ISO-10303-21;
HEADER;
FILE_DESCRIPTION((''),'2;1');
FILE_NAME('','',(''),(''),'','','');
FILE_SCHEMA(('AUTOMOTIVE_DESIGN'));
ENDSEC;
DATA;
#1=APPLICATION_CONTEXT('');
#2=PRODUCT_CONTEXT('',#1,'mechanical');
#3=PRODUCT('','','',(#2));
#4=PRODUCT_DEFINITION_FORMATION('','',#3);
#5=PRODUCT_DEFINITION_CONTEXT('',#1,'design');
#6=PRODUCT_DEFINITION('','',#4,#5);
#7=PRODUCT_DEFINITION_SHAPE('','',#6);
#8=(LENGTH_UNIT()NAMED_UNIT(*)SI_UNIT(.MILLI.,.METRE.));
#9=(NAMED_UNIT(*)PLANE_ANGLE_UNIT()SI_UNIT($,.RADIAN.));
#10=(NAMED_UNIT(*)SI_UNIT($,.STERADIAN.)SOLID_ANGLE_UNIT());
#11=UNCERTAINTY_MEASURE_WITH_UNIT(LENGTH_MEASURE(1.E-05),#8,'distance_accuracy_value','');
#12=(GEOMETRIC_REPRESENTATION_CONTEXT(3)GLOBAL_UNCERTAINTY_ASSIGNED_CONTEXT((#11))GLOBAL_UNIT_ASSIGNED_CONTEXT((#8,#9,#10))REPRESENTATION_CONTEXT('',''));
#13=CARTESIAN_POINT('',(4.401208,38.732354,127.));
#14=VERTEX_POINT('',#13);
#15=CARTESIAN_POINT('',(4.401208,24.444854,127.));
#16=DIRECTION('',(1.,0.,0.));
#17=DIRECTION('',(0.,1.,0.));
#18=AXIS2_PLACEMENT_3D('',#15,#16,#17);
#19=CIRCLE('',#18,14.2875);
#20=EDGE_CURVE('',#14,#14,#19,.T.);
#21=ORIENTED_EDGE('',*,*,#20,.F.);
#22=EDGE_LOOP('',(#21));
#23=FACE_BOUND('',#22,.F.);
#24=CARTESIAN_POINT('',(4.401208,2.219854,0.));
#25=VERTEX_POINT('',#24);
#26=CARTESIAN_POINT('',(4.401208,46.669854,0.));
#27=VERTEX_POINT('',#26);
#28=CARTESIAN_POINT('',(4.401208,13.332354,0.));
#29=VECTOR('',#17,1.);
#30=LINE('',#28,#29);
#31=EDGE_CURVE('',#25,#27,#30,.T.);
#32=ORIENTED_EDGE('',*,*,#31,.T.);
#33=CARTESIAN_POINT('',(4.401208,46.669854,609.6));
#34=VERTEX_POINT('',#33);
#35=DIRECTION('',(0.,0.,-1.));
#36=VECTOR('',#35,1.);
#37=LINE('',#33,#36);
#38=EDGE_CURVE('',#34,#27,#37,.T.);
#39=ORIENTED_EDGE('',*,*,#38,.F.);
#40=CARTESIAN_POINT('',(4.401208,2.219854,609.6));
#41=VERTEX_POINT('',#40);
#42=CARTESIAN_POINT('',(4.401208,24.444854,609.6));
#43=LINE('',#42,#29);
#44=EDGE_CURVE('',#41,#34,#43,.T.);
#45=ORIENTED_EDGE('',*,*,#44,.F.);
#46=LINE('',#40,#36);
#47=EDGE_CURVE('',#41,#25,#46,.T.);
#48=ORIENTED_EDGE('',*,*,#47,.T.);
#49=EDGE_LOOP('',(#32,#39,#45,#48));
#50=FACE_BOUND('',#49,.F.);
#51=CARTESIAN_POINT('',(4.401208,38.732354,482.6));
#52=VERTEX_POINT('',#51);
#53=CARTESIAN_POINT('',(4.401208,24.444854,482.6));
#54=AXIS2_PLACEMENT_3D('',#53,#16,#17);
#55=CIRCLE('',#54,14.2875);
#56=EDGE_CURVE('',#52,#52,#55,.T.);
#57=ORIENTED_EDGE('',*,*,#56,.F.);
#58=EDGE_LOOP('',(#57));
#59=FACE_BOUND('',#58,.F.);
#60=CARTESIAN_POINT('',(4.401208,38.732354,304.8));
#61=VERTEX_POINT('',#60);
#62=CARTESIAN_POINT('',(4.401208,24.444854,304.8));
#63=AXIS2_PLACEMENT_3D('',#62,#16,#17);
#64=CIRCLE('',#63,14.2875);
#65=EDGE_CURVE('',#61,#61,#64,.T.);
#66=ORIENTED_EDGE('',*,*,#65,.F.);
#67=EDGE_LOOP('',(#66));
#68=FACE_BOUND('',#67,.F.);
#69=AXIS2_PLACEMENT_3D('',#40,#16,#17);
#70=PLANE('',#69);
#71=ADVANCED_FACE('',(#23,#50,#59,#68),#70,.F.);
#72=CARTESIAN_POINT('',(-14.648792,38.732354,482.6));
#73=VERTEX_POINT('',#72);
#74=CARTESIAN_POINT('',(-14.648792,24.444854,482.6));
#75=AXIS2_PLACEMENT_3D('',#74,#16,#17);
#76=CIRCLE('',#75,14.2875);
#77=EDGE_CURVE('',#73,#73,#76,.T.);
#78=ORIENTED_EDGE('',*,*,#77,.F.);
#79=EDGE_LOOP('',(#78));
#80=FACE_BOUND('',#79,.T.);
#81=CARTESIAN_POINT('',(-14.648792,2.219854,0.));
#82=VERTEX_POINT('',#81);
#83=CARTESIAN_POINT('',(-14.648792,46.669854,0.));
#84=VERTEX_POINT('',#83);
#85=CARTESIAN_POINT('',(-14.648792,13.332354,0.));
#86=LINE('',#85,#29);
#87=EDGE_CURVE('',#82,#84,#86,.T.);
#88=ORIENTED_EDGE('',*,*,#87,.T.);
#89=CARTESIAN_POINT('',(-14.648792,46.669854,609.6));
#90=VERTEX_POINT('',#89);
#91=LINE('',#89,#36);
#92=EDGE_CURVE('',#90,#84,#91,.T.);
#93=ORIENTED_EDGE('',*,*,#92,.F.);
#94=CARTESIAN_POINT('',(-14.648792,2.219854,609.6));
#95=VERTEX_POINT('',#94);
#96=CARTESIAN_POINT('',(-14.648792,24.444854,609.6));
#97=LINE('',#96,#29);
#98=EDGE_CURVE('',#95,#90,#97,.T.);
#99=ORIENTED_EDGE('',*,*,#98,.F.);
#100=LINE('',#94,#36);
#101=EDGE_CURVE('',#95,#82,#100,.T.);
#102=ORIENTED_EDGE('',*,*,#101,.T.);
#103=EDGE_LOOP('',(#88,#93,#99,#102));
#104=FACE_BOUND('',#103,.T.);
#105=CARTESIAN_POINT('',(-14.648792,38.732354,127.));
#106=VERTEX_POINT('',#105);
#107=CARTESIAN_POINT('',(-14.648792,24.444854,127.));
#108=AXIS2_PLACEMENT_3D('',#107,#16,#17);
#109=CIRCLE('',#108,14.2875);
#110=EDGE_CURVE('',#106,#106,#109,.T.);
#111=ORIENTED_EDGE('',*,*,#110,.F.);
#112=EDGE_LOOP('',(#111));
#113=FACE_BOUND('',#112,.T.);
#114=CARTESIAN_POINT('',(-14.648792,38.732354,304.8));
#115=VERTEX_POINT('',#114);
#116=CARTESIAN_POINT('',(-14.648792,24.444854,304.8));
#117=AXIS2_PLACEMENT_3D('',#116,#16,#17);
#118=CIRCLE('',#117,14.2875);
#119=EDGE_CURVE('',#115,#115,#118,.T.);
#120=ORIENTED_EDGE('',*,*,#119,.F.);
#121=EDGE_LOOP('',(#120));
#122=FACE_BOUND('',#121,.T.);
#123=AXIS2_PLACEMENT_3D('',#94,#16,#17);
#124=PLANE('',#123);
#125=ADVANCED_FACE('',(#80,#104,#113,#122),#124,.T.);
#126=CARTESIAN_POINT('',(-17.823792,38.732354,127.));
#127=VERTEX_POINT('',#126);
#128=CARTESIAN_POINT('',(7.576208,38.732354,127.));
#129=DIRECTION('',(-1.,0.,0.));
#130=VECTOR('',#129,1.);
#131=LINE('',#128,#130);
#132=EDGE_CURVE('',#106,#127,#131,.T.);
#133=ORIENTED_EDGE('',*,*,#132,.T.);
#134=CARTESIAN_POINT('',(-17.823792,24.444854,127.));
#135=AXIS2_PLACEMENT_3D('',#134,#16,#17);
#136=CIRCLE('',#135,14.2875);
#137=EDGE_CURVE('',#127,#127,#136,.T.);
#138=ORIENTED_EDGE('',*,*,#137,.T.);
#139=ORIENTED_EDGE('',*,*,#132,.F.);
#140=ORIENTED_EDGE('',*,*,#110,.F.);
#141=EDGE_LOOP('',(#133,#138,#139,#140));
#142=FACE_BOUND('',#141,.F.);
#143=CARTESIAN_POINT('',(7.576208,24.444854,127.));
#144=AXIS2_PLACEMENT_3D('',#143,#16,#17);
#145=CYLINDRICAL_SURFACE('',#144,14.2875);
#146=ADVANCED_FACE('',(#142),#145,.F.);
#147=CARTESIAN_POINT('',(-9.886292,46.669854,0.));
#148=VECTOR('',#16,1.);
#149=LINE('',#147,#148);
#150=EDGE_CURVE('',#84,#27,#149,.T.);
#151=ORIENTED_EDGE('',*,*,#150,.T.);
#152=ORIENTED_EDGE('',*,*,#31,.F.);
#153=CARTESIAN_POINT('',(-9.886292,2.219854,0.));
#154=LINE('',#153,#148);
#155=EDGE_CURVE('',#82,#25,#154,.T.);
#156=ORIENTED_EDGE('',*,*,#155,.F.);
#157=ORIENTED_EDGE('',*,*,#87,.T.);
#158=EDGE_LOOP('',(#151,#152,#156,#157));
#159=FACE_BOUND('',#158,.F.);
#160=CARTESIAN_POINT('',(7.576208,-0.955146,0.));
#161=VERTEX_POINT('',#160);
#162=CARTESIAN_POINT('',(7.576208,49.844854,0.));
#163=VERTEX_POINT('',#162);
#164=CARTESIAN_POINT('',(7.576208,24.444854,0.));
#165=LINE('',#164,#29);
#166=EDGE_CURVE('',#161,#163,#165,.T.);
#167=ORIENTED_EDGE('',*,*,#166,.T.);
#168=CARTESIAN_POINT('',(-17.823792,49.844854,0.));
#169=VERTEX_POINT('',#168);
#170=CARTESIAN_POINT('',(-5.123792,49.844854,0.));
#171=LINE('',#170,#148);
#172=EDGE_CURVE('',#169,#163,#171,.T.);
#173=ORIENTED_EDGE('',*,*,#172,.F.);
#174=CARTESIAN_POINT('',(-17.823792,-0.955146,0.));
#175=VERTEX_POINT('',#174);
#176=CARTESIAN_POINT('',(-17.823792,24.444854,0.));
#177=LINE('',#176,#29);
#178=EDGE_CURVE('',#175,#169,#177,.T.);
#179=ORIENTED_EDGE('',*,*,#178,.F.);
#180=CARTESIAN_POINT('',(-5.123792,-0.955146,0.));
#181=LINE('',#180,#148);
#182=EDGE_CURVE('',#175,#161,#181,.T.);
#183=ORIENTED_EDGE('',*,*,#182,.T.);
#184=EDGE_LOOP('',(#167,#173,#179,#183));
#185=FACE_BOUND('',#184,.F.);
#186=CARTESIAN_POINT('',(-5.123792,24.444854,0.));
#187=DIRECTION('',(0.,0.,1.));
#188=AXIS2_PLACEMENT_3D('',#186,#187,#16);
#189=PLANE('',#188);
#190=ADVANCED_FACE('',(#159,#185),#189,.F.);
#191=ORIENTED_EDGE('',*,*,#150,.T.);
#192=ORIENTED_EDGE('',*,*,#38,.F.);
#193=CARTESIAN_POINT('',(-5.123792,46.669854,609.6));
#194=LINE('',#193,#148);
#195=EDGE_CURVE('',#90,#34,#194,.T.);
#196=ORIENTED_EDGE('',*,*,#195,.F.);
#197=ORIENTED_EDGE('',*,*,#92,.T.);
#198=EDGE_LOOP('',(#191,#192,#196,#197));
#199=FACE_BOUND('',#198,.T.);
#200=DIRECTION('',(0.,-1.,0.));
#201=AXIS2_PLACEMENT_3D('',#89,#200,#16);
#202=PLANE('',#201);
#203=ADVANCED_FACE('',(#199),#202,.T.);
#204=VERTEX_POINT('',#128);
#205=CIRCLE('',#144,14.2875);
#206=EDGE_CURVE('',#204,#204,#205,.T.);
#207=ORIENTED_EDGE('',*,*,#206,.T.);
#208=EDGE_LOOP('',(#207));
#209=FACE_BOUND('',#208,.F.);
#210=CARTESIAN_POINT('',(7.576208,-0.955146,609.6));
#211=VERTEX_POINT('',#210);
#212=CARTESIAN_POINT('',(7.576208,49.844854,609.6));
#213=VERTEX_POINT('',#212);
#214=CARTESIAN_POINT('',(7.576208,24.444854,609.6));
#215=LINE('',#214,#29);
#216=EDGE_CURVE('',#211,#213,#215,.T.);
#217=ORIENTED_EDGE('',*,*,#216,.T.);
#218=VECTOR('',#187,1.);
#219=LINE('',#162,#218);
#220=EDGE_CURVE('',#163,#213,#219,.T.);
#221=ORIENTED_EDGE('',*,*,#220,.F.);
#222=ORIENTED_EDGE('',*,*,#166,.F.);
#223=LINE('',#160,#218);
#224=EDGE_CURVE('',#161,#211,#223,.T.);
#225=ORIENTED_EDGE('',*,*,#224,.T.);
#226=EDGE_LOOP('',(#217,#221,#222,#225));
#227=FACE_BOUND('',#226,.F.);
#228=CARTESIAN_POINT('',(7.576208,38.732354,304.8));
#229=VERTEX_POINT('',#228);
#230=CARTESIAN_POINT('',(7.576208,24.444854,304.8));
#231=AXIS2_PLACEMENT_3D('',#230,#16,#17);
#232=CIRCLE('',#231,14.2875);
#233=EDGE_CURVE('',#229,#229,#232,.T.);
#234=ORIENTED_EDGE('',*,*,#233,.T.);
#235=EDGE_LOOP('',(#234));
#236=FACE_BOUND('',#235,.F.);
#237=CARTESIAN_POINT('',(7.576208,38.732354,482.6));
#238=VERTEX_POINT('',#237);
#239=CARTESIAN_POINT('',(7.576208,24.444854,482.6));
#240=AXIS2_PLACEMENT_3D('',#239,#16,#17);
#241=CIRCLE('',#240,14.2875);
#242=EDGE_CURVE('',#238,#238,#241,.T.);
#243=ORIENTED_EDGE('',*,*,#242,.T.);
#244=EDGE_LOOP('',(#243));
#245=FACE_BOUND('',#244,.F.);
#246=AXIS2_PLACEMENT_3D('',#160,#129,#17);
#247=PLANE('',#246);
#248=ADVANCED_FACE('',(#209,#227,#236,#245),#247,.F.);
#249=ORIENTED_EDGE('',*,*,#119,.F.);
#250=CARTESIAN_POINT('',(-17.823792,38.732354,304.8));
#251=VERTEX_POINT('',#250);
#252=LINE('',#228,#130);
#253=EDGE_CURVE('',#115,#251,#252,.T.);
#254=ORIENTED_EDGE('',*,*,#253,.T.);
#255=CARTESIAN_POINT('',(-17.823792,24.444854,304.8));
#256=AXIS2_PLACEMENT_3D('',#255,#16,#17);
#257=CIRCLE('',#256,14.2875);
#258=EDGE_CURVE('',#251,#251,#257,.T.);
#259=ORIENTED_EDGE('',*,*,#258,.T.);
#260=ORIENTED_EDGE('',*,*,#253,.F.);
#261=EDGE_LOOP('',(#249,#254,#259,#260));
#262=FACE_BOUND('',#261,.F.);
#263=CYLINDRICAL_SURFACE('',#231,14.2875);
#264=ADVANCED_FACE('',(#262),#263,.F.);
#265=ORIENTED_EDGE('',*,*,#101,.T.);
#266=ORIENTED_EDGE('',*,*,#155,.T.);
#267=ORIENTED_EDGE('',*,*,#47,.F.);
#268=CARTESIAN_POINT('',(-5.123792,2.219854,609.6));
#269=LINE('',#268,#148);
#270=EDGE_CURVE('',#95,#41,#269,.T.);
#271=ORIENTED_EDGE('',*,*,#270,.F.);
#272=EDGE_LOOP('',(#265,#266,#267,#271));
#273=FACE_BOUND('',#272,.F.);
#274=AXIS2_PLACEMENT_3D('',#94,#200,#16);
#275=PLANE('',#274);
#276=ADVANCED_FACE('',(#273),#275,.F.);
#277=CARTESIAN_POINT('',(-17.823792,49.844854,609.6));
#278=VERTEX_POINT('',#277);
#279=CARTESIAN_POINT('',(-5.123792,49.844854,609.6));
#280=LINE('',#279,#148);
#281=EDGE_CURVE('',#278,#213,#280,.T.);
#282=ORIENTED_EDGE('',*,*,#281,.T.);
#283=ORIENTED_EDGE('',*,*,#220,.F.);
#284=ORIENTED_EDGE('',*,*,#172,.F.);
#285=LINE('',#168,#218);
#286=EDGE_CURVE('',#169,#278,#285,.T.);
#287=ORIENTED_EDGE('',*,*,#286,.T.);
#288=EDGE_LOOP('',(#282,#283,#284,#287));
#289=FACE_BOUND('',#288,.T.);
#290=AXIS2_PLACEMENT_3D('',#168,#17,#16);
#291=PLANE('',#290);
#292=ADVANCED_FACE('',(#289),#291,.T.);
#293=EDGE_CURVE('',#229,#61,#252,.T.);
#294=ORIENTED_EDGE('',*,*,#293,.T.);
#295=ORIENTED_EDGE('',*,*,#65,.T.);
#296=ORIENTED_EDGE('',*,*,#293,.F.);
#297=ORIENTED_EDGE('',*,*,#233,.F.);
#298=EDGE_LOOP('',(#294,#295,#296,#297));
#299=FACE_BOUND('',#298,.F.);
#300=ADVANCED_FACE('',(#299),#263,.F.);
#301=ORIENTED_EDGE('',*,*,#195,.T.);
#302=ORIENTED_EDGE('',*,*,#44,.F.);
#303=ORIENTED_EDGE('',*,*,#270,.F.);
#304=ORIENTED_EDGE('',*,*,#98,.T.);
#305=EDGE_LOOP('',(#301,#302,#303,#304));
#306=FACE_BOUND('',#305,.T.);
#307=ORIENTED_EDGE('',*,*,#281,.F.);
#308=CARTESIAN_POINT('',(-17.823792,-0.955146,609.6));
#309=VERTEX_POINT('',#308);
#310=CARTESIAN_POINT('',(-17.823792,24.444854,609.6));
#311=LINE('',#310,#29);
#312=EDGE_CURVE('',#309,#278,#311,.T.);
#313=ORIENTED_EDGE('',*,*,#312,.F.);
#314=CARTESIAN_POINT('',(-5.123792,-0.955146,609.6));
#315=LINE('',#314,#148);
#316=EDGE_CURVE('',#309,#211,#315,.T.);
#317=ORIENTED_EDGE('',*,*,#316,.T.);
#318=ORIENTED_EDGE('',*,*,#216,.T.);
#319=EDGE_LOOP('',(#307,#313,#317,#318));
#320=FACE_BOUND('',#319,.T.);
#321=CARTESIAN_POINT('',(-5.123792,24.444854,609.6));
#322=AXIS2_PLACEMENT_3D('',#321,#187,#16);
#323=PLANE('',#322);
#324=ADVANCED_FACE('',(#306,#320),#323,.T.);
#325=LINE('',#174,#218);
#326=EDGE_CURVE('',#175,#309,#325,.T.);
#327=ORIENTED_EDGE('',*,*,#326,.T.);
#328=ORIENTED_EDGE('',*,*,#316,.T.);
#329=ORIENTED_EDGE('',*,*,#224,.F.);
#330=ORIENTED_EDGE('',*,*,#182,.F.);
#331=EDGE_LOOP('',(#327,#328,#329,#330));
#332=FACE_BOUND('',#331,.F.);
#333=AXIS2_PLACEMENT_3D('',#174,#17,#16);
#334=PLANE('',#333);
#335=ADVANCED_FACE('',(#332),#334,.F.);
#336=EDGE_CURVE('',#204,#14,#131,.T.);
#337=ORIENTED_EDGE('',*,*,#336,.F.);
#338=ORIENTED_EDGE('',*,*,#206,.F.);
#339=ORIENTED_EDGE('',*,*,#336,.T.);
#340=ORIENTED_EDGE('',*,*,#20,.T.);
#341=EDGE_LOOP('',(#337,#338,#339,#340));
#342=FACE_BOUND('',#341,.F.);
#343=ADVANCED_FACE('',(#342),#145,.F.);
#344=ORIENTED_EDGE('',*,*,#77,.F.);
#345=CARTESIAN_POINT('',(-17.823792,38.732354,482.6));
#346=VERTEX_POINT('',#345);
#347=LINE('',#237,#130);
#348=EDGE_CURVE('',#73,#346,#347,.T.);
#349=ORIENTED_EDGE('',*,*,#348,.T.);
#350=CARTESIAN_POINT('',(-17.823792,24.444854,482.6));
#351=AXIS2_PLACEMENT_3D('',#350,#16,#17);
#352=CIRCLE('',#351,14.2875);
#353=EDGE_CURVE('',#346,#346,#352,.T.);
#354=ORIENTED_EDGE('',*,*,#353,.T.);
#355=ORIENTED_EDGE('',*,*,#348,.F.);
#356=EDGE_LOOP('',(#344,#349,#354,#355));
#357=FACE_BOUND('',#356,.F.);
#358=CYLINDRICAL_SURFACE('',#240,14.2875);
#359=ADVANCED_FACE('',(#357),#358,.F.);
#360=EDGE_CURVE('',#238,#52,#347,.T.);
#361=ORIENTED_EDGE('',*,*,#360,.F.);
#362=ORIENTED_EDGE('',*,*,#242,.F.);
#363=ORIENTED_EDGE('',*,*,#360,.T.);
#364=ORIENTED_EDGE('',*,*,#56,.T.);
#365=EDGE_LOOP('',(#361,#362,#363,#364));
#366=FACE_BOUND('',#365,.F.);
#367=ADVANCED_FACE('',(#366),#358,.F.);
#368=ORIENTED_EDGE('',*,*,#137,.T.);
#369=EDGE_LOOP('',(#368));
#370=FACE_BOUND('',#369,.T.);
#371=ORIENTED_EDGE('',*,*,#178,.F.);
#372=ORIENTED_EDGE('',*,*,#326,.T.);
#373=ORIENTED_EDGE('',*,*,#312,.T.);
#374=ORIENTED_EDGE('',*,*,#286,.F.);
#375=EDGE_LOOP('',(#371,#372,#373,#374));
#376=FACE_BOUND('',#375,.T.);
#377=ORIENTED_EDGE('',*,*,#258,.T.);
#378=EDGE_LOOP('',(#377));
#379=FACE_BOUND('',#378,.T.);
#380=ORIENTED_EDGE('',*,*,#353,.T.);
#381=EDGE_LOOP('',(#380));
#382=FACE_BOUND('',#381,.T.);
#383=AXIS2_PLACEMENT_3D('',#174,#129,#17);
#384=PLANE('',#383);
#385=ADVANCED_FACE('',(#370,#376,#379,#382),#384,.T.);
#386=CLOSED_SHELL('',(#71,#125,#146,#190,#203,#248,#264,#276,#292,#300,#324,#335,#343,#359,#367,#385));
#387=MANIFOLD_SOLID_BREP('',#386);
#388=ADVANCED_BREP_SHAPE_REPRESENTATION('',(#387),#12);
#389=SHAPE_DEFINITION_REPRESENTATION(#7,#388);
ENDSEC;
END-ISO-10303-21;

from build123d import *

# Parameters (mm, degrees)
F0_W     = 25.4
F0_H     = 50.8
F1_DEPTH = 609.6
F2_W     = 19.05
F2_H     = 44.45
F3_DEPTH = 670.56
F4_R     = 14.2875
F5_DEPTH = 83.82


with BuildPart() as f1:
    # F0 (on Top) → F1 (new body)
    with BuildSketch(Plane.XY):
        with Locations((-5.123792, 24.444854)):
            Rectangle(F0_W, F0_H)
    extrude(amount=F1_DEPTH)

    # F2 (on face) → F3 (cut)
    with BuildSketch(Plane.XY.offset(609.6)):
        with Locations((-5.123792, 24.444854)):
            Rectangle(F2_W, F2_H)
    extrude(amount=-F3_DEPTH, mode=Mode.SUBTRACT)

    # F4 (on face) → F5 (cut)
    with BuildSketch(Plane.YZ.offset(7.576208)):
        with Locations((24.444854, 304.8)):
            Circle(F4_R)
        with Locations((24.444854, 482.6)):
            Circle(F4_R)
        with Locations((24.444854, 127)):
            Circle(F4_R)
    extrude(amount=-F5_DEPTH, mode=Mode.SUBTRACT)


solid = f1.part
